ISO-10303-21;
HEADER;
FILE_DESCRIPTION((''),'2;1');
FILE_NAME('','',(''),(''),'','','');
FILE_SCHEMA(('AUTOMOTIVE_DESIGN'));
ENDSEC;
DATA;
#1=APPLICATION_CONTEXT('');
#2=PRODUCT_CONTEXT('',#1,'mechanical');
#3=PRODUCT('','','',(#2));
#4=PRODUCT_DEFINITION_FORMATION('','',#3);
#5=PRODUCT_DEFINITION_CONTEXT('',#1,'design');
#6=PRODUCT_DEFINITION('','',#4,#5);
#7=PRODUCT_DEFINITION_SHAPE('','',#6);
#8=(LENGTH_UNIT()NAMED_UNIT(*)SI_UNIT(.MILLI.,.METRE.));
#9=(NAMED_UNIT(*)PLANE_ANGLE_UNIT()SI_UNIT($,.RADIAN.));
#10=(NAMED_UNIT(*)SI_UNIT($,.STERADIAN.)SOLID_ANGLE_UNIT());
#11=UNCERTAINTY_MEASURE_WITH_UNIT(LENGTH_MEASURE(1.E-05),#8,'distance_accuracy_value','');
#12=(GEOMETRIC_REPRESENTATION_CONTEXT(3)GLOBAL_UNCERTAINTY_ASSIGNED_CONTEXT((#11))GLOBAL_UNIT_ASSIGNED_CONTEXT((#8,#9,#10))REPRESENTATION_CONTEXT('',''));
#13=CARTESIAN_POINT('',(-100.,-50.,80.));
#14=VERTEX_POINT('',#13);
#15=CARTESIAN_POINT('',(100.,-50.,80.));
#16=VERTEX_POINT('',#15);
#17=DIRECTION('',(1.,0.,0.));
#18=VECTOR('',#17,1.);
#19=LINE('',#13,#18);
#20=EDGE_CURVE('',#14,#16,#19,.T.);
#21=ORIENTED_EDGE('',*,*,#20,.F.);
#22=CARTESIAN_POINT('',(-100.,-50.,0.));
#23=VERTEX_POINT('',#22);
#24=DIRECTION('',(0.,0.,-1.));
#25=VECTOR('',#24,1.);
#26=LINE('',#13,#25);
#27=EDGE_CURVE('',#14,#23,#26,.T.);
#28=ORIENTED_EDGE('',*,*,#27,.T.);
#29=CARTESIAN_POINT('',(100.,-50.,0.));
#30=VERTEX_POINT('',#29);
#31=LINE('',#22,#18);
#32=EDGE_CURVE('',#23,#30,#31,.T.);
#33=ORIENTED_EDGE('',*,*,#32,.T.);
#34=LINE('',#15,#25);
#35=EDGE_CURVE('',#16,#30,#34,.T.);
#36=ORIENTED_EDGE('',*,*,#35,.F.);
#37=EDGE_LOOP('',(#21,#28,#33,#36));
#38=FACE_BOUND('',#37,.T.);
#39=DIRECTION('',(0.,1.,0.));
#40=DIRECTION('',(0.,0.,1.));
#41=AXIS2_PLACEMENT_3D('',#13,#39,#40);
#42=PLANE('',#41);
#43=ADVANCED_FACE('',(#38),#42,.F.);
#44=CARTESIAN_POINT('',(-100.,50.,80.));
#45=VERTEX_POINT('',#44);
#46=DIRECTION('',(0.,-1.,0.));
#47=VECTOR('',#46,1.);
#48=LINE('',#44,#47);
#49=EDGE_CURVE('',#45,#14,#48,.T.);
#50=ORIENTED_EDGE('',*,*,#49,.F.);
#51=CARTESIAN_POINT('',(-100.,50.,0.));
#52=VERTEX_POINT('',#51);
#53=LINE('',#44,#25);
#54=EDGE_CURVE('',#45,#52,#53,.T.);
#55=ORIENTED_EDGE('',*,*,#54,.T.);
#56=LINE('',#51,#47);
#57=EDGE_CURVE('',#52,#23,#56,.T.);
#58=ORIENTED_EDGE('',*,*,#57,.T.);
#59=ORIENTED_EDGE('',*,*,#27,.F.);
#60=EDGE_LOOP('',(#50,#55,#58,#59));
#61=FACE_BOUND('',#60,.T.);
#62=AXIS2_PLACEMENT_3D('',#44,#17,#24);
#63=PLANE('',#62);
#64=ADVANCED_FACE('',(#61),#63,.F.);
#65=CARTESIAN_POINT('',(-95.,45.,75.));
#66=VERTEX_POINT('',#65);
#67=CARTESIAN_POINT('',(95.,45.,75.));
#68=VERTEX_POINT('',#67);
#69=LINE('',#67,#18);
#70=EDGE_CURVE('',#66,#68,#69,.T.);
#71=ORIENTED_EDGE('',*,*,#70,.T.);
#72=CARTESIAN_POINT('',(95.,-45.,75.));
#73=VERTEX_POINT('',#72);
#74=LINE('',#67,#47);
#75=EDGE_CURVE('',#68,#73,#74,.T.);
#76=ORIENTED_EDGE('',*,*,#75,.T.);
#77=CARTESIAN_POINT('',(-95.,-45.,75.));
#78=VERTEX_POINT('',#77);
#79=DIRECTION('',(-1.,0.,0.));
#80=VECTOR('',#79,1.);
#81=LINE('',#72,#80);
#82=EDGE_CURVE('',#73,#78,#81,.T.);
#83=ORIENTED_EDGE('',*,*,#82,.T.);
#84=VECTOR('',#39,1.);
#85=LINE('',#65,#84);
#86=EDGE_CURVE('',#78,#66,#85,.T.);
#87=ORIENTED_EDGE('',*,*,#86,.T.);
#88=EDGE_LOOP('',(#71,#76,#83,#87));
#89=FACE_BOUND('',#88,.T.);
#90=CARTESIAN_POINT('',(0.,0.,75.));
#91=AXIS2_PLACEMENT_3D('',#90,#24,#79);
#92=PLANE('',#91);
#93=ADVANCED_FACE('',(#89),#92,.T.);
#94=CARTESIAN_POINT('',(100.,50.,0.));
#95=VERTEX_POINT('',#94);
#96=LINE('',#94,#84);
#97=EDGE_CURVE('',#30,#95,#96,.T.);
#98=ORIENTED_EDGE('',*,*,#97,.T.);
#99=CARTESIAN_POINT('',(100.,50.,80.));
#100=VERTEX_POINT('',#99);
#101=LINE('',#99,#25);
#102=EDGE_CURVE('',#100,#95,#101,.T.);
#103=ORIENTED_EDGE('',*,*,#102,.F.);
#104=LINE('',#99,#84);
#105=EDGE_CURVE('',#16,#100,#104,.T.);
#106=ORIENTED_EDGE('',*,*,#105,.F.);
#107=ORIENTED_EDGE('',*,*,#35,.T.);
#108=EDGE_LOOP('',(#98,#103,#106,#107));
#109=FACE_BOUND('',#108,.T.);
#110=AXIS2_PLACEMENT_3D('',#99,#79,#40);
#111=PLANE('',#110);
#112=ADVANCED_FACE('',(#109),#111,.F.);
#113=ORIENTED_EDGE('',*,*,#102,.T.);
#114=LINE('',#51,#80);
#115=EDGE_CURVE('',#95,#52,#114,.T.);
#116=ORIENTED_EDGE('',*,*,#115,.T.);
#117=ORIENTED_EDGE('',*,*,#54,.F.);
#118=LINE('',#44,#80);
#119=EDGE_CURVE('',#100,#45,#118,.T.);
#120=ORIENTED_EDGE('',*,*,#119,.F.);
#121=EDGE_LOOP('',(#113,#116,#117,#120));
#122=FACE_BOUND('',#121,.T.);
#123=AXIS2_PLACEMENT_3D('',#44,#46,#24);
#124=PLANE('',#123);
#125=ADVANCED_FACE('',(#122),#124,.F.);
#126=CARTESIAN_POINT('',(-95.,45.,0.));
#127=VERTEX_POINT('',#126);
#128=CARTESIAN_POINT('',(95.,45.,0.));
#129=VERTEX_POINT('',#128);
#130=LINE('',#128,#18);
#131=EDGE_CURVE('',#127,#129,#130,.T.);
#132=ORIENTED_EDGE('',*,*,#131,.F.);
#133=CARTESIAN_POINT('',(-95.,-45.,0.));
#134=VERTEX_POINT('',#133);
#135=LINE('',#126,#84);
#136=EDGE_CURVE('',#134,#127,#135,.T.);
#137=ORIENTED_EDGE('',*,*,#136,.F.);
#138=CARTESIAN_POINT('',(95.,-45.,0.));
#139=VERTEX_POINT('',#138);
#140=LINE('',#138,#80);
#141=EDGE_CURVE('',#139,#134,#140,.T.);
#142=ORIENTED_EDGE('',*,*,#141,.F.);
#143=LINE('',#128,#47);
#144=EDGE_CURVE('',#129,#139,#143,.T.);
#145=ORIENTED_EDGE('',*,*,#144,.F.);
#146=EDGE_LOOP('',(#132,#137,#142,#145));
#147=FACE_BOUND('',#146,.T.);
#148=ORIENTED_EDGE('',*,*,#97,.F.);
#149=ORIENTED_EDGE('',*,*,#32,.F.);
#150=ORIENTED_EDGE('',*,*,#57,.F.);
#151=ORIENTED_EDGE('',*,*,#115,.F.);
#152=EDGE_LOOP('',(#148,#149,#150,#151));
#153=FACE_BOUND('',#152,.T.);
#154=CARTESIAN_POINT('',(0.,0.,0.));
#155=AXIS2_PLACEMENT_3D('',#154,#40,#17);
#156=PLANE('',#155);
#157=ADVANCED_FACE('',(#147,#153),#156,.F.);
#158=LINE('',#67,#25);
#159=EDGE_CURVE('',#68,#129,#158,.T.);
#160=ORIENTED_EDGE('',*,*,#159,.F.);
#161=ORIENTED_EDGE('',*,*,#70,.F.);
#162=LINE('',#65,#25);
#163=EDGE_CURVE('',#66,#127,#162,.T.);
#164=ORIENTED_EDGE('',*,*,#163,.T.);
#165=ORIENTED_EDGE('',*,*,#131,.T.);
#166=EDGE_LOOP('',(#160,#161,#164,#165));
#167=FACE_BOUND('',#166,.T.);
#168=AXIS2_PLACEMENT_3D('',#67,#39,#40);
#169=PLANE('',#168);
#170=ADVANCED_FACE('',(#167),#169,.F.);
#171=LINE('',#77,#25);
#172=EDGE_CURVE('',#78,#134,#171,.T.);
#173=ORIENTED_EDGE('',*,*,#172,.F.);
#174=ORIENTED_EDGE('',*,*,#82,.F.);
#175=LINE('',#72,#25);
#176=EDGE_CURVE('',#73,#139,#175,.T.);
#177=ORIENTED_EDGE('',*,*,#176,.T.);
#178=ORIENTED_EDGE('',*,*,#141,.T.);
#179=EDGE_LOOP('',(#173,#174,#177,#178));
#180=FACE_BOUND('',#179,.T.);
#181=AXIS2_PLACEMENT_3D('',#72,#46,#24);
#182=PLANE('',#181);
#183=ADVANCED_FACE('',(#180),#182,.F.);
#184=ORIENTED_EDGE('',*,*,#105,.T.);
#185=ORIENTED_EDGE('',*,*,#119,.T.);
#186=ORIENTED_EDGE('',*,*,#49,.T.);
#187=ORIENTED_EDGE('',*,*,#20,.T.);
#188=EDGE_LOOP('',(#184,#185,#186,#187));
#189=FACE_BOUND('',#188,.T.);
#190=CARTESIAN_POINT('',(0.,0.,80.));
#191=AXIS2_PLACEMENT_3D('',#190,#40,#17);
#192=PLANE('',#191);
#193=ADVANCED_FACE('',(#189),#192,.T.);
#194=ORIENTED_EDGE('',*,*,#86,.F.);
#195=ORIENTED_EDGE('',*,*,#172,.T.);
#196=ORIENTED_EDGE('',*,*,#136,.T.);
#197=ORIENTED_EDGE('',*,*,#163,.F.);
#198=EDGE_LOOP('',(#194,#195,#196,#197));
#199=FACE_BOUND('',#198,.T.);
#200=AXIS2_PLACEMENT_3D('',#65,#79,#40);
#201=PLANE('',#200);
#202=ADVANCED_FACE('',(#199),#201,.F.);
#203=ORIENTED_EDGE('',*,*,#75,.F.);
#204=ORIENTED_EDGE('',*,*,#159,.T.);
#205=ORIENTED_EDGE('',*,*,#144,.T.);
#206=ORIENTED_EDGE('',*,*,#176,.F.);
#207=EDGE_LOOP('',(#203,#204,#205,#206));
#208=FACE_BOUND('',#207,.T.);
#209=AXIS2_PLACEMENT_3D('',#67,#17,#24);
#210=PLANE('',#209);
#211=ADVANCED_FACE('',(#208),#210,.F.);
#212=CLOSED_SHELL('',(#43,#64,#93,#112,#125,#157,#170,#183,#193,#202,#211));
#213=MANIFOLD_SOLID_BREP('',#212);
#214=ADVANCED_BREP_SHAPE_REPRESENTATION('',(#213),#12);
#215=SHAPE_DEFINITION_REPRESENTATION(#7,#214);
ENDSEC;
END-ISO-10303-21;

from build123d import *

# Parameters (mm, degrees)
ESBO_O1_W                = 200
ESBO_O1_H                = 100
RESSALTO_EXTRUS_O1_DEPTH = 80
ESBO_O2_W                = 190
ESBO_O2_H                = 90
CORTE_EXTRUS_O1_DEPTH    = 75


with BuildPart() as part:
    # Esboço1 → Ressalto-extrusão1 (new body)
    with BuildSketch(Plane.XY):
        Rectangle(ESBO_O1_W, ESBO_O1_H)
    extrude(amount=RESSALTO_EXTRUS_O1_DEPTH)

    # Esboço2 → Corte-extrusão1 (cut)
    with BuildSketch(Plane(origin=(0, 0, 0), x_dir=(-1, 0, 0), z_dir=(0, 0, -1))):
        Rectangle(ESBO_O2_W, ESBO_O2_H)
    extrude(amount=-CORTE_EXTRUS_O1_DEPTH, mode=Mode.SUBTRACT)


solid = part.part
